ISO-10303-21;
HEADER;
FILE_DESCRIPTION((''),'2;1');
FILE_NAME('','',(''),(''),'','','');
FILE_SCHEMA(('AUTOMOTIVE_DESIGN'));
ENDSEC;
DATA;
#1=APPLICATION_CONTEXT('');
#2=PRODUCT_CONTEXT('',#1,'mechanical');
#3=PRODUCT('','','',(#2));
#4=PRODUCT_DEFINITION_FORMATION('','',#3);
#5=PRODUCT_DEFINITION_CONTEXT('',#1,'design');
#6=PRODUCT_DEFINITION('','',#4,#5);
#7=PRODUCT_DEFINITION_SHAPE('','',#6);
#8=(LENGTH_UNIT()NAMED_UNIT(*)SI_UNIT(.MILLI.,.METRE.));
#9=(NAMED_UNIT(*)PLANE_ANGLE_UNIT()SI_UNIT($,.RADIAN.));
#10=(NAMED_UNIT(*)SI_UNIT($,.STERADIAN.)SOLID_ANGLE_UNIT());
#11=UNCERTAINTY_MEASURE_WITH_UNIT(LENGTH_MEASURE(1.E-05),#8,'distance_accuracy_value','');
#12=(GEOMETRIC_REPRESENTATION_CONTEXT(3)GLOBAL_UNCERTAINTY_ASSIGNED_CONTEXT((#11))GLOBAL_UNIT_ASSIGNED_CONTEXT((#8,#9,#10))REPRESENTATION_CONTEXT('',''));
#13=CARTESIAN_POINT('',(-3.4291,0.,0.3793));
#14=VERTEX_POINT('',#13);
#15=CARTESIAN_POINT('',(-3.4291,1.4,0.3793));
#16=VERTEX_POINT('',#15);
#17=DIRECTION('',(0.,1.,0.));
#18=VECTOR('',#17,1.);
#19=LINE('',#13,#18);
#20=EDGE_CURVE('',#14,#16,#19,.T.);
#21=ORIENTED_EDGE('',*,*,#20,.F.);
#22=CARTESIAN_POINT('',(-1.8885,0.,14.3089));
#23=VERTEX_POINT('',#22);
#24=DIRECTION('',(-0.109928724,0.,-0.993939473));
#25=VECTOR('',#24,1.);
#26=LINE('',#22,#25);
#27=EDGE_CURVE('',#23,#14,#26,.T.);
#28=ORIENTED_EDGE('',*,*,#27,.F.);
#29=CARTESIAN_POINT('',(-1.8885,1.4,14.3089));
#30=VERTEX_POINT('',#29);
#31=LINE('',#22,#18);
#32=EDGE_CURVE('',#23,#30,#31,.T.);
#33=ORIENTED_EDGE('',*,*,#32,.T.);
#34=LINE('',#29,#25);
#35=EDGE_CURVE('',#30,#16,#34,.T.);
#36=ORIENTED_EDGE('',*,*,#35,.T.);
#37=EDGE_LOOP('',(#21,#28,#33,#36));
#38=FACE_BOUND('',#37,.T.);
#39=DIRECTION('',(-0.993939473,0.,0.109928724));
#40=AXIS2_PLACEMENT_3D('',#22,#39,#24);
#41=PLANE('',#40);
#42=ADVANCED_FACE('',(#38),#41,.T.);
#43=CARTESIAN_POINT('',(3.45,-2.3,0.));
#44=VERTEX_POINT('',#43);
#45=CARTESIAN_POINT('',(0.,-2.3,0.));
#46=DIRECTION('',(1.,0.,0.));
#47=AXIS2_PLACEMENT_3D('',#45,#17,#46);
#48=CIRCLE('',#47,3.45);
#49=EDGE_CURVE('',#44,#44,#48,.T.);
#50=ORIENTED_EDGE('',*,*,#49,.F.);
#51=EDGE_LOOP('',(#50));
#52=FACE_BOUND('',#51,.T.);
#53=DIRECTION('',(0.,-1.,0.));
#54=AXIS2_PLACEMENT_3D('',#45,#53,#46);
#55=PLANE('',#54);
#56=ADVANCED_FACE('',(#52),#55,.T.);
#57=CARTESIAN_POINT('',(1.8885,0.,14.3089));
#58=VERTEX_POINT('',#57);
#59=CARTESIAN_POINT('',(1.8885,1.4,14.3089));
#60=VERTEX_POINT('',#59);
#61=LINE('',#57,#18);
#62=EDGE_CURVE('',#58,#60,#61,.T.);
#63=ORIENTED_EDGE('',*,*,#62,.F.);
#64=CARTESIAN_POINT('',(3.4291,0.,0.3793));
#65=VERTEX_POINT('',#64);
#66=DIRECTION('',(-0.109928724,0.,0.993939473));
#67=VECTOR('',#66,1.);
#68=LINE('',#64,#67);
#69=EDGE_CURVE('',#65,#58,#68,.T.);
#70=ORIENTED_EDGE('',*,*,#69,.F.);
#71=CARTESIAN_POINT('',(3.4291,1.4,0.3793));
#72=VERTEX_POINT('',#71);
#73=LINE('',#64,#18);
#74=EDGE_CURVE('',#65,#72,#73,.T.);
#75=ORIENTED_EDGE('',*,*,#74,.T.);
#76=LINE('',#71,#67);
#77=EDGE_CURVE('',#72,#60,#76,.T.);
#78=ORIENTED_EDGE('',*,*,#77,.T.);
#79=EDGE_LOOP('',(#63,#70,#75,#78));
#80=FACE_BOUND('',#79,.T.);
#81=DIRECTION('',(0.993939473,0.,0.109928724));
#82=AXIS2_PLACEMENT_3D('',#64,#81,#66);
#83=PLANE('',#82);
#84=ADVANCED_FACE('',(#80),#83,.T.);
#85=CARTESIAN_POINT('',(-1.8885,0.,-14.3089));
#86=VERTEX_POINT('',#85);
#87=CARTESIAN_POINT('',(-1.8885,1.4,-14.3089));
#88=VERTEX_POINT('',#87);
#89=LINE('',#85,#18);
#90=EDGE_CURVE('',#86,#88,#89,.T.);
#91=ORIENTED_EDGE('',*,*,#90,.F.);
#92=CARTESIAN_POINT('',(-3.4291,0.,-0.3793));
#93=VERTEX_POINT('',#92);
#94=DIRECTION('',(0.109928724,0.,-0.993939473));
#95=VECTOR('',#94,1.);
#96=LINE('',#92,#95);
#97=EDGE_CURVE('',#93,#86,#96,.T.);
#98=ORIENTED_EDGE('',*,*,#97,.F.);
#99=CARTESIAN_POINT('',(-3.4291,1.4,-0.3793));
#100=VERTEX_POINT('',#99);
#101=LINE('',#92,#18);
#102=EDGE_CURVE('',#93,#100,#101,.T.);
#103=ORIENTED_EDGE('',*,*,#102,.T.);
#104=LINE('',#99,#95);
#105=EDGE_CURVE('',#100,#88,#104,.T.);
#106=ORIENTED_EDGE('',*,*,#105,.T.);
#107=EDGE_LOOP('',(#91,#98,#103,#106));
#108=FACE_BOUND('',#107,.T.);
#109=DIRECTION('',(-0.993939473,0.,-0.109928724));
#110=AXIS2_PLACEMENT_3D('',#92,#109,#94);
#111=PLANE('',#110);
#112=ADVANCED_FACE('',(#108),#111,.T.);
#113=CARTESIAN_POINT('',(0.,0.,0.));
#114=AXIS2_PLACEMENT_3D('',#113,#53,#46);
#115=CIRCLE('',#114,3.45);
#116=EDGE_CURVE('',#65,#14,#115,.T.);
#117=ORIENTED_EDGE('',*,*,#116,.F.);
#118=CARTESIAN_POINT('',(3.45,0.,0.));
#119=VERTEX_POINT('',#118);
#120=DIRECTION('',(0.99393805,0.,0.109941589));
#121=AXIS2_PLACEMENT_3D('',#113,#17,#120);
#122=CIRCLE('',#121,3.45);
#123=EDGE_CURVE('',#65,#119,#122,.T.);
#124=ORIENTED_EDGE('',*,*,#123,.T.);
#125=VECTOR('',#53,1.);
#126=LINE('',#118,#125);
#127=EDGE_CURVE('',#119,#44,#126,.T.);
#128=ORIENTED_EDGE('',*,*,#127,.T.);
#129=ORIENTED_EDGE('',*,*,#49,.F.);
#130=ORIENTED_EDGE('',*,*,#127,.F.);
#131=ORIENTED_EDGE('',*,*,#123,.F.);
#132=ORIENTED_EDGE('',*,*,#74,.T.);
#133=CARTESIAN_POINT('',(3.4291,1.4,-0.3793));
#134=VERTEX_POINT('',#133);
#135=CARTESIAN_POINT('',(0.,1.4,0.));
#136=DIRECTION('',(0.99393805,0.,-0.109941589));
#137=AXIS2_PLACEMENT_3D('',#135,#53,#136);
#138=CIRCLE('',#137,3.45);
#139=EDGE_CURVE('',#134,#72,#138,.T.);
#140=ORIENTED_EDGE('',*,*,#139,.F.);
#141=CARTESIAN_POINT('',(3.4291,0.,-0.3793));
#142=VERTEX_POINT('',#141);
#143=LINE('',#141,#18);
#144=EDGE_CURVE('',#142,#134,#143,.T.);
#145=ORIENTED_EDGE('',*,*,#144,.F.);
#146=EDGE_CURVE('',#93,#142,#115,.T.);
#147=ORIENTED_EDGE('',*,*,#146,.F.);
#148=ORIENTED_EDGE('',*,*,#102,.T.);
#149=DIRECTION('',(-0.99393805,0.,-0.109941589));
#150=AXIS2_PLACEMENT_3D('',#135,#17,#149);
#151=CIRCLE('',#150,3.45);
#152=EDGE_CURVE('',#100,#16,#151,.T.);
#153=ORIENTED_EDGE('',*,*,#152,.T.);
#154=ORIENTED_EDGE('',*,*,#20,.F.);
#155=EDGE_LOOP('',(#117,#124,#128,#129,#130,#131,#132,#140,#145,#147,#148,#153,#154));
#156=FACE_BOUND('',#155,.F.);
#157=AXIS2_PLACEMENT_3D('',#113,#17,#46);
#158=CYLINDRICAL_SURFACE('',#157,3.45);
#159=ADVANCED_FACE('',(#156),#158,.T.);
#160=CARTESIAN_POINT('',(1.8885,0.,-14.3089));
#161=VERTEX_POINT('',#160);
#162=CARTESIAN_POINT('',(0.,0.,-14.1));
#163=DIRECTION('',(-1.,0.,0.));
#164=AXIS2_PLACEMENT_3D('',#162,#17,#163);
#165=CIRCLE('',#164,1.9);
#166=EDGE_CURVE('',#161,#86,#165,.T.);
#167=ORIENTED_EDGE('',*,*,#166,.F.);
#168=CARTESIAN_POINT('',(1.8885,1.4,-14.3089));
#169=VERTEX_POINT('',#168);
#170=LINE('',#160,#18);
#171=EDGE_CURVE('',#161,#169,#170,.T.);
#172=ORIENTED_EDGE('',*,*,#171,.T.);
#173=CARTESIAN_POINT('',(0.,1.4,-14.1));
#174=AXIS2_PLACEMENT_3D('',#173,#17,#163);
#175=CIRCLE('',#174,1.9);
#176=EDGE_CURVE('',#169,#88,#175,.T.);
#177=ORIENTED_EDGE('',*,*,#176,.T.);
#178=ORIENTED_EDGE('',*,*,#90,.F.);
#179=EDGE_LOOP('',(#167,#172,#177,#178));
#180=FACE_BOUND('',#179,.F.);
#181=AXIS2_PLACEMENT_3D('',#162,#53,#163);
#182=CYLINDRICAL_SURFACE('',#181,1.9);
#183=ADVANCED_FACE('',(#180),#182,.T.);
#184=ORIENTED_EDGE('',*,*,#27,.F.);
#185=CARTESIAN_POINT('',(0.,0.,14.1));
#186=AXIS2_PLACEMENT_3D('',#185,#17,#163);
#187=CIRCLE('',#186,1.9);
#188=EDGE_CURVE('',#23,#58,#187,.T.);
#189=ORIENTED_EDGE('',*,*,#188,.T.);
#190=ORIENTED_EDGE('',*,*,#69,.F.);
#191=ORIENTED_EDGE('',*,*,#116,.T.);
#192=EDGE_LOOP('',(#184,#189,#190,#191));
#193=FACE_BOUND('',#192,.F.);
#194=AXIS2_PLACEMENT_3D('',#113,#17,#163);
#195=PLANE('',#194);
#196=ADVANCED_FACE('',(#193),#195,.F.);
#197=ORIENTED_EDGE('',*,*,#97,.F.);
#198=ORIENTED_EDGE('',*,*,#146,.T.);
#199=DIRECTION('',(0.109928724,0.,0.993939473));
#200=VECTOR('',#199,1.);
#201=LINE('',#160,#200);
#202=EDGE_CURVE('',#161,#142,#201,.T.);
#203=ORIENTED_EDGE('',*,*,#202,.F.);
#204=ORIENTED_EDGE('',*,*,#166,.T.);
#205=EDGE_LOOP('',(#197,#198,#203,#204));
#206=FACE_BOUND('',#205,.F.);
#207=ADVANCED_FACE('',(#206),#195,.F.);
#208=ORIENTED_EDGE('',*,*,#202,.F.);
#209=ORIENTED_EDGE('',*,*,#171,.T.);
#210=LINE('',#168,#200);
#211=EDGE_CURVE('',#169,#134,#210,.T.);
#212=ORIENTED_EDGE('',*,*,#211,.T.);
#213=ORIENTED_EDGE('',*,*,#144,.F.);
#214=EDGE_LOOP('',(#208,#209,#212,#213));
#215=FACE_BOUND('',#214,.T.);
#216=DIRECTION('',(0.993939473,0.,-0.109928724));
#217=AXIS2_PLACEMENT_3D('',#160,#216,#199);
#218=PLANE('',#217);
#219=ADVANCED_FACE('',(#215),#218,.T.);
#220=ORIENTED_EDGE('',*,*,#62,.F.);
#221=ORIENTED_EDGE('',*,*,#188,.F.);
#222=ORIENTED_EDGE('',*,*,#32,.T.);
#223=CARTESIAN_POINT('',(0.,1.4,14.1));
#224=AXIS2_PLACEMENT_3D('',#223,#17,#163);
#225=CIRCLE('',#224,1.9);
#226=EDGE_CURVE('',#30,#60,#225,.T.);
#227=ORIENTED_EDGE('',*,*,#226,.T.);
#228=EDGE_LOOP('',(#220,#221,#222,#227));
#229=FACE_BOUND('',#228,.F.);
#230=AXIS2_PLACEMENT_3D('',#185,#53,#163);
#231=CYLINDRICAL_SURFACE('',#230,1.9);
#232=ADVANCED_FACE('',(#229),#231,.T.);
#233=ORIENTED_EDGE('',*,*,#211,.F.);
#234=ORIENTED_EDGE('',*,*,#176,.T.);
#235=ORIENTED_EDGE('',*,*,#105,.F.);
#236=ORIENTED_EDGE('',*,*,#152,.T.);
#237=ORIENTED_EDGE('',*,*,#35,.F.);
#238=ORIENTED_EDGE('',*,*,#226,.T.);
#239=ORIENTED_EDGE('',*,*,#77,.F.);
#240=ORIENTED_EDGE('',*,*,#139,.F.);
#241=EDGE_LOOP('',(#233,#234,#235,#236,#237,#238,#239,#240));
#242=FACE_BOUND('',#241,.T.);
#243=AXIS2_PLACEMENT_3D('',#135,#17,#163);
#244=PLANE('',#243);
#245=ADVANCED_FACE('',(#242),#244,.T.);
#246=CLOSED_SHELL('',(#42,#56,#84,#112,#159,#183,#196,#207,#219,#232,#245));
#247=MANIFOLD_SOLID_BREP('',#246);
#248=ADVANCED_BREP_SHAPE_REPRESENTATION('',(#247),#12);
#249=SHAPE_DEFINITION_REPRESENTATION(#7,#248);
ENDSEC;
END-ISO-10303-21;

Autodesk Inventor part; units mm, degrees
ref_plane "YZ Plane" through (0, 0, 0) normal (1, 0, 0) x (0, 1, 0)
ref_plane "XZ Plane" through (0, 0, 0) normal (0, 1, 0) x (-1, 0, 0)
ref_plane "XY Plane" through (0, 0, 0) normal (0, 0, 1) x (1, 0, 0)
sketch "スケッチ1" plane through (0, 0, 0) normal (0, 1, 0) x (-1, 0, 0)
  circle A0 centre (0, 0) radius 3.45
  circle A1 centre (0, 14.1) radius 1.9
  circle A2 centre (0, -14.1) radius 1.9
  line L0 (4.83, 0) -> (-4.83, 0) projected
  line L1 (1.8885, 14.3089) -> (3.4291, 0.3793)
  line L2 (3.4291, -0.3793) -> (1.8885, -14.3089)
  line L3 (-1.8885, -14.3089) -> (-3.4291, -0.3793)
  line L4 (-3.4291, 0.3793) -> (-1.8885, 14.3089)
  dimension "d0" = 6.9
  dimension "d1" = 3.8
  dimension "d3" = 28.2
extrude "押し出し1" add sketch "スケッチ1" along normal blind 1.4
sketch "スケッチ2" plane through (0, 0, 0) normal (0, -1, 0) x (1, 0, 0)
  circle A0 centre (0, 0) radius 3.45
  arc A1 (3.4291, -0.3793) -> (-3.4291, -0.3793) centre (0, 0) ccw projected
  point P0 (3.4291, 0.3793)
extrude "押し出し2" add sketch "スケッチ2" along normal blind 2.3
properties part number "Miusei_hone_long"
